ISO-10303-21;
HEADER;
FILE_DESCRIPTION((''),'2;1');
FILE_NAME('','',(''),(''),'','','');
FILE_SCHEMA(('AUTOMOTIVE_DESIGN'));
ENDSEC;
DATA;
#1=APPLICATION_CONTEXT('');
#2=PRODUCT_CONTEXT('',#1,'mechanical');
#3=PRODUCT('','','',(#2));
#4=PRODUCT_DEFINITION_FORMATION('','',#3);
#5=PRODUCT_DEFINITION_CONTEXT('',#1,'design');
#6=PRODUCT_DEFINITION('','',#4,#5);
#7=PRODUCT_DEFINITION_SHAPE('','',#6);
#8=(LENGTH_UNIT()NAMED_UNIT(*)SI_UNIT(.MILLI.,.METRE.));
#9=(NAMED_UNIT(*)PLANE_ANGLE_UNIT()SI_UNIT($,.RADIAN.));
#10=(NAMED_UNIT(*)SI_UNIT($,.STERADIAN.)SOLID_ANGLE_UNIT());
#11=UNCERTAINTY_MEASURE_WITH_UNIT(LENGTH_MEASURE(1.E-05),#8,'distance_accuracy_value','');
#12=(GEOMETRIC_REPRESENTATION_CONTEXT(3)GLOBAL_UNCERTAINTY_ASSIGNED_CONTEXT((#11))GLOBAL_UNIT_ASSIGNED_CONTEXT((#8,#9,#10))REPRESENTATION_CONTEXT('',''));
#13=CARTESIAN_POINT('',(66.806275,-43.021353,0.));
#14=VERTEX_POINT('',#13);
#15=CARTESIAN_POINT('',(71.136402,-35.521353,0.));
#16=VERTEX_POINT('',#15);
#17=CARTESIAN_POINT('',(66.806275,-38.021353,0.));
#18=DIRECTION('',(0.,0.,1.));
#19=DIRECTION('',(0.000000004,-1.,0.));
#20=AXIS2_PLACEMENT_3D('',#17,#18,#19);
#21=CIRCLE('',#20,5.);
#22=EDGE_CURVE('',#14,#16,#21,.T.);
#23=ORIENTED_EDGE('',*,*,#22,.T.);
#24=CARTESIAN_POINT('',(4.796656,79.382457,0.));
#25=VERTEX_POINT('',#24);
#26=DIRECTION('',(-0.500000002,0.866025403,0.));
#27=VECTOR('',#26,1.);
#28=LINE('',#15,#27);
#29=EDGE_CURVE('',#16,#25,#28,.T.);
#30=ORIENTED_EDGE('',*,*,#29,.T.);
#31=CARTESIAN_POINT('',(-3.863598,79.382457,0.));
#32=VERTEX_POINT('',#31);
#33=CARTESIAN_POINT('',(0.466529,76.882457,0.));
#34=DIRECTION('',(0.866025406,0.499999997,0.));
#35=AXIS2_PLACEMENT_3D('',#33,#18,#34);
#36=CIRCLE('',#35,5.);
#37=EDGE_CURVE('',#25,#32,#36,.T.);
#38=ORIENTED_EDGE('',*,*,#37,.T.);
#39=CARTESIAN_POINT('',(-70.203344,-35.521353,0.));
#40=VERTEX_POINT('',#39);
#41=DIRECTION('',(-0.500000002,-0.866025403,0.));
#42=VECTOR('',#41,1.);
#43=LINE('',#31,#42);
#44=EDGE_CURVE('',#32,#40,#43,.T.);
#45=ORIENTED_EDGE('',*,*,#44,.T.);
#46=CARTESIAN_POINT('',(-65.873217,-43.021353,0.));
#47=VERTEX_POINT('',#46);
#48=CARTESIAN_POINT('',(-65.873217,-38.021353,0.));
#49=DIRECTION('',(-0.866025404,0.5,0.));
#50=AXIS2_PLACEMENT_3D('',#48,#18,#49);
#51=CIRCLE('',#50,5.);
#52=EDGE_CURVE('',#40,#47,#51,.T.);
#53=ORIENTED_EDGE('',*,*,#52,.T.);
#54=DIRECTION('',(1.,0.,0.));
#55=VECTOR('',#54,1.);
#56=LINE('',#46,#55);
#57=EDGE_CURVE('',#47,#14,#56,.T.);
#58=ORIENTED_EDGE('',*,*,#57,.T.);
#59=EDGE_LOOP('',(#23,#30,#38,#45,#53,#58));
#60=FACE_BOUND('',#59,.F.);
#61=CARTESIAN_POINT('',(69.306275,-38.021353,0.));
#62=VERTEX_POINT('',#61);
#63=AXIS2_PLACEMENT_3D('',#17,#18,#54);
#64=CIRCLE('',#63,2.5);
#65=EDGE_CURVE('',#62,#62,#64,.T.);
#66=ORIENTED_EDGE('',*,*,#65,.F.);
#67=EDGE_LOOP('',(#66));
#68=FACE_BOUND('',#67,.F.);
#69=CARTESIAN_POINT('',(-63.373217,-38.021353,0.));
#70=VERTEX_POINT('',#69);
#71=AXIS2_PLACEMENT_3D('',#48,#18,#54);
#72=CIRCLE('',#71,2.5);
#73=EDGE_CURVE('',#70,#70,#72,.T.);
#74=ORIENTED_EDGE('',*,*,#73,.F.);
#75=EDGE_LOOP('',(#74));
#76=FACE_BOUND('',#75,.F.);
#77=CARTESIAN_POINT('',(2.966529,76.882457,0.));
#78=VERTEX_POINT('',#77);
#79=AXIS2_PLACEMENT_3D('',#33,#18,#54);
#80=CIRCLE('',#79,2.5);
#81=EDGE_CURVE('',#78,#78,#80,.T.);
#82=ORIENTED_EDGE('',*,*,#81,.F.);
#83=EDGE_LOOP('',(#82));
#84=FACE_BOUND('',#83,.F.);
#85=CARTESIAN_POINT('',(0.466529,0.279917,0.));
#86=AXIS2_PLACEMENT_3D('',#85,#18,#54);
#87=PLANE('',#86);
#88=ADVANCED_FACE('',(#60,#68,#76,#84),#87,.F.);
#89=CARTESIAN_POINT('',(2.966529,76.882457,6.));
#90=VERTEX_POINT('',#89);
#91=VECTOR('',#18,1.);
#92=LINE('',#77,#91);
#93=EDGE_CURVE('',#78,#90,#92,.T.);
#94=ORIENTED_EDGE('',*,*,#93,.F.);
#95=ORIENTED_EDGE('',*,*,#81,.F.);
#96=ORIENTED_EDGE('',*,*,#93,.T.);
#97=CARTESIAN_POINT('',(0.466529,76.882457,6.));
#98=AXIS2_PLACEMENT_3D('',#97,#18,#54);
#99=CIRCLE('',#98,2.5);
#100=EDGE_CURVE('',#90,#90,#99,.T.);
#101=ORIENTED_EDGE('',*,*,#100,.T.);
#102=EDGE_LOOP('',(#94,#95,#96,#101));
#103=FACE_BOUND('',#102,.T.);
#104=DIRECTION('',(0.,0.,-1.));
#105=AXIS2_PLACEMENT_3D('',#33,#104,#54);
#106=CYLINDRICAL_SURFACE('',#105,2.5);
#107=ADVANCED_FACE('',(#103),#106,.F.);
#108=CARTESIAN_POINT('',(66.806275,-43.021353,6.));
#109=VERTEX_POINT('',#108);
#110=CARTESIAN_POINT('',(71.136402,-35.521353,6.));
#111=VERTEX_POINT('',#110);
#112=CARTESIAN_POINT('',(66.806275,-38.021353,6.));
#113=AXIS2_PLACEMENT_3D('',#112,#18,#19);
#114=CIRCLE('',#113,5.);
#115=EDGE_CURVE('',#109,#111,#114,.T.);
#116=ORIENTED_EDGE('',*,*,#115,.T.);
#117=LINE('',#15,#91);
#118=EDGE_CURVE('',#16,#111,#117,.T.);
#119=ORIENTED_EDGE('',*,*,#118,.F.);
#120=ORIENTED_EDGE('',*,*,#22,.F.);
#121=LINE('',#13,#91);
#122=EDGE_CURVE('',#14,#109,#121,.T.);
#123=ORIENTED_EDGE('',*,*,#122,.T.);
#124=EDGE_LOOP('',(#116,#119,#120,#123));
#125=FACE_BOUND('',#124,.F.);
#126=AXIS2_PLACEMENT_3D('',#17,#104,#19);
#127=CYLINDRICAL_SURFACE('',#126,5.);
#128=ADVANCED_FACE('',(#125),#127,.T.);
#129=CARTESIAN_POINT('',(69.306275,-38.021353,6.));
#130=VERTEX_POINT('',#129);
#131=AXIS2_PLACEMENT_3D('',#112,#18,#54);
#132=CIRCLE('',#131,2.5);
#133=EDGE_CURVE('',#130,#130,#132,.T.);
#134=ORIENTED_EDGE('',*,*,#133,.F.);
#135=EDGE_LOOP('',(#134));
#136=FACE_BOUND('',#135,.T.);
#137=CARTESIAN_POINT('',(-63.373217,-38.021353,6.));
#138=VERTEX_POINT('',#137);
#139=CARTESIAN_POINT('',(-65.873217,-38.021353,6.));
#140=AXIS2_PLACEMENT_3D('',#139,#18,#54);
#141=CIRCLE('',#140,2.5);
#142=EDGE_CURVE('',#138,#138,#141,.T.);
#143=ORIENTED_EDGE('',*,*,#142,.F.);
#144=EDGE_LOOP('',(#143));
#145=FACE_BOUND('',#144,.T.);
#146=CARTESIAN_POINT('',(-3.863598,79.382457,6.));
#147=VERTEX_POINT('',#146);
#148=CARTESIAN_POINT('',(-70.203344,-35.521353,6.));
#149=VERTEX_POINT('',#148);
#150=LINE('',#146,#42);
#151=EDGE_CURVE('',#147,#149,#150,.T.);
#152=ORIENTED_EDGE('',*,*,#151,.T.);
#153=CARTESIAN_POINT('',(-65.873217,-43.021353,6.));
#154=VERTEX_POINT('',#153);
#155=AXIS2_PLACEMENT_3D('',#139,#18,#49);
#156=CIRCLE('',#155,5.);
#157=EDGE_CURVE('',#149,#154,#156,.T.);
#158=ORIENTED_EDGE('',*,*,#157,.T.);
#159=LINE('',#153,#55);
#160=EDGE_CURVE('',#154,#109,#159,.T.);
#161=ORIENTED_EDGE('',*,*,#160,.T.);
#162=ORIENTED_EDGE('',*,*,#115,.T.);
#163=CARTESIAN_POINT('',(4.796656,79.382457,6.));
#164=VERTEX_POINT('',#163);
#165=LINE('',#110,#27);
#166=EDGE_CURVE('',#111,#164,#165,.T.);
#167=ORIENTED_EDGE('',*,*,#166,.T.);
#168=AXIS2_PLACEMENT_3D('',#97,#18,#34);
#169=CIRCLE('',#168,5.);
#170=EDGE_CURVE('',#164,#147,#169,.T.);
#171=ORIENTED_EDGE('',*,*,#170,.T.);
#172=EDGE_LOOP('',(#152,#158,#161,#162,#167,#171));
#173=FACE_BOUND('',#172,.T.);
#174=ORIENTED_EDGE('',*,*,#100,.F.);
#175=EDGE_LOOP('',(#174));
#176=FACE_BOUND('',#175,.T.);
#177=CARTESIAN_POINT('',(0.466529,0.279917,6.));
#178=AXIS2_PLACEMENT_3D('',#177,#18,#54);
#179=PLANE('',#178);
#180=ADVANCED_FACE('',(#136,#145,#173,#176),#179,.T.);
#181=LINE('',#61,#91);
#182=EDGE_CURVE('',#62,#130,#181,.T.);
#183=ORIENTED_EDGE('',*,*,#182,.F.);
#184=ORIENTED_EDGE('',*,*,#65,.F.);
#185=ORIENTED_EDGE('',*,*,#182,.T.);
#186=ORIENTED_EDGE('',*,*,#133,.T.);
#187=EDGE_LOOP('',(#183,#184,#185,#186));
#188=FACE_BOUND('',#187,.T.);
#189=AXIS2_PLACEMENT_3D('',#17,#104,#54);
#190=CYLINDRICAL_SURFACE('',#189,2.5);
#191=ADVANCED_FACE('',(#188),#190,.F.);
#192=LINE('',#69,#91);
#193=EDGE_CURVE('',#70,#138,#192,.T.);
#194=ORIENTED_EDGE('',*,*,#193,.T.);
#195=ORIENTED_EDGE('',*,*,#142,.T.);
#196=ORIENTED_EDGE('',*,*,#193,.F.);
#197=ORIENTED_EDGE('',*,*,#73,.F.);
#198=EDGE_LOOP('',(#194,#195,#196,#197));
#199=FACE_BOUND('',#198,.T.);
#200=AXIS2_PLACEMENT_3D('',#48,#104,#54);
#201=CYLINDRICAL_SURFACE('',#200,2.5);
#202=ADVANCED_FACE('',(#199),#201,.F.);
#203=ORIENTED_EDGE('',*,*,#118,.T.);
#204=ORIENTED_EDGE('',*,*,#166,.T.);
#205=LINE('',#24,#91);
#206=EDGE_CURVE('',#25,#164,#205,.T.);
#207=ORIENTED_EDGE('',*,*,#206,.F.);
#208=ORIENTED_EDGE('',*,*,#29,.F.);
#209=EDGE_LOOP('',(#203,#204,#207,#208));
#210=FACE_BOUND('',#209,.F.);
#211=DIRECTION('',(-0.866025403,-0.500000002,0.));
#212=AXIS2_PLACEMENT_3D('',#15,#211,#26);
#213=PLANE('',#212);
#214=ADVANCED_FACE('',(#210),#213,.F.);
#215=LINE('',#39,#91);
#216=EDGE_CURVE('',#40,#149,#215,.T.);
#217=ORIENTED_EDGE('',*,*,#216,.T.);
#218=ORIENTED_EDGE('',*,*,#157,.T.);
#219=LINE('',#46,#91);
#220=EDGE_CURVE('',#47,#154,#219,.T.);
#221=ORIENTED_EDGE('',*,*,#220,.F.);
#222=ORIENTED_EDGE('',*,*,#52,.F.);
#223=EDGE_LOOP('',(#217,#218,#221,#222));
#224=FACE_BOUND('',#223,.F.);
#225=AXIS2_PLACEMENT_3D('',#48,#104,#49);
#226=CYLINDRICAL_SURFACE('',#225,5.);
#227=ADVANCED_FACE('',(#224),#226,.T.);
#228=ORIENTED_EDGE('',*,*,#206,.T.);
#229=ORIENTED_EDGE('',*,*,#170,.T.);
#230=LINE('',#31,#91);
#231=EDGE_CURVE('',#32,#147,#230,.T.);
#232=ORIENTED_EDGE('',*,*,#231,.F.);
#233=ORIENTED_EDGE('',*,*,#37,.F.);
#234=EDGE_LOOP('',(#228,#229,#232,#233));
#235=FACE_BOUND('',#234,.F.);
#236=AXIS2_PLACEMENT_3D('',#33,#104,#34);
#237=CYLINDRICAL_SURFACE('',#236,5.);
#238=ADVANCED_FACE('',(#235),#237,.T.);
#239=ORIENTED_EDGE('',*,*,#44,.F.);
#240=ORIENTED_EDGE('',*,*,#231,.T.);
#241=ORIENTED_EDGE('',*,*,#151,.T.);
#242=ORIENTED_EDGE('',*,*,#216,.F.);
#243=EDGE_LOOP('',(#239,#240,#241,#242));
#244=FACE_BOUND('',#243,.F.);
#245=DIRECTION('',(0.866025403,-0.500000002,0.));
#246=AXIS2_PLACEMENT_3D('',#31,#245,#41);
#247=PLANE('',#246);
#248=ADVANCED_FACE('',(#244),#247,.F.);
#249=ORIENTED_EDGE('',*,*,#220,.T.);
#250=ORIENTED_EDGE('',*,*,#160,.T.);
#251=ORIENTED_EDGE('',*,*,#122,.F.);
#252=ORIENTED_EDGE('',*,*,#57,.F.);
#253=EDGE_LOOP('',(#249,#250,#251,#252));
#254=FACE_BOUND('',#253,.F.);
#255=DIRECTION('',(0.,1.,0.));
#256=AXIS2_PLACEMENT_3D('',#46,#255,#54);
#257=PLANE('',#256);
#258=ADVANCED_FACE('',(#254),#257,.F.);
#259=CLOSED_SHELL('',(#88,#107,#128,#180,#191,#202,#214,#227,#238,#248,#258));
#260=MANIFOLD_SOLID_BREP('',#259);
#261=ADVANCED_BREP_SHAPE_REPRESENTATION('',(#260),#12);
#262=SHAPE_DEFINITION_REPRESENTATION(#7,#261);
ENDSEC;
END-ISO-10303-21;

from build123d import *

# Parameters (mm, degrees)
F0_R     = 2.5
F1_DEPTH = 6


with BuildPart() as f1:
    # F0 (on Top) → F1 (new body)
    with BuildSketch(Plane.XY):
        with BuildLine():
            ThreePointArc((4.796656, 79.382457), (0.466529, 81.882457), (-3.863598, 79.382457))
            Line((-3.863598, 79.382457), (-70.203344, -35.521353))
            ThreePointArc((-70.203344, -35.521353), (-70.203344, -40.521353), (-65.873217, -43.021353))
            Line((-65.873217, -43.021353), (66.806275, -43.021353))
            ThreePointArc((66.806275, -43.021353), (71.136402, -40.521353), (71.136402, -35.521353))
            Line((71.136402, -35.521353), (4.796656, 79.382457))
        make_face()
        with Locations((-65.873217, -38.021353)):
            Circle(F0_R, mode=Mode.SUBTRACT)
        with Locations((66.806275, -38.021353)):
            Circle(F0_R, mode=Mode.SUBTRACT)
        with Locations((0.466529, 76.882457)):
            Circle(F0_R, mode=Mode.SUBTRACT)
    extrude(amount=F1_DEPTH)


solid = f1.part
